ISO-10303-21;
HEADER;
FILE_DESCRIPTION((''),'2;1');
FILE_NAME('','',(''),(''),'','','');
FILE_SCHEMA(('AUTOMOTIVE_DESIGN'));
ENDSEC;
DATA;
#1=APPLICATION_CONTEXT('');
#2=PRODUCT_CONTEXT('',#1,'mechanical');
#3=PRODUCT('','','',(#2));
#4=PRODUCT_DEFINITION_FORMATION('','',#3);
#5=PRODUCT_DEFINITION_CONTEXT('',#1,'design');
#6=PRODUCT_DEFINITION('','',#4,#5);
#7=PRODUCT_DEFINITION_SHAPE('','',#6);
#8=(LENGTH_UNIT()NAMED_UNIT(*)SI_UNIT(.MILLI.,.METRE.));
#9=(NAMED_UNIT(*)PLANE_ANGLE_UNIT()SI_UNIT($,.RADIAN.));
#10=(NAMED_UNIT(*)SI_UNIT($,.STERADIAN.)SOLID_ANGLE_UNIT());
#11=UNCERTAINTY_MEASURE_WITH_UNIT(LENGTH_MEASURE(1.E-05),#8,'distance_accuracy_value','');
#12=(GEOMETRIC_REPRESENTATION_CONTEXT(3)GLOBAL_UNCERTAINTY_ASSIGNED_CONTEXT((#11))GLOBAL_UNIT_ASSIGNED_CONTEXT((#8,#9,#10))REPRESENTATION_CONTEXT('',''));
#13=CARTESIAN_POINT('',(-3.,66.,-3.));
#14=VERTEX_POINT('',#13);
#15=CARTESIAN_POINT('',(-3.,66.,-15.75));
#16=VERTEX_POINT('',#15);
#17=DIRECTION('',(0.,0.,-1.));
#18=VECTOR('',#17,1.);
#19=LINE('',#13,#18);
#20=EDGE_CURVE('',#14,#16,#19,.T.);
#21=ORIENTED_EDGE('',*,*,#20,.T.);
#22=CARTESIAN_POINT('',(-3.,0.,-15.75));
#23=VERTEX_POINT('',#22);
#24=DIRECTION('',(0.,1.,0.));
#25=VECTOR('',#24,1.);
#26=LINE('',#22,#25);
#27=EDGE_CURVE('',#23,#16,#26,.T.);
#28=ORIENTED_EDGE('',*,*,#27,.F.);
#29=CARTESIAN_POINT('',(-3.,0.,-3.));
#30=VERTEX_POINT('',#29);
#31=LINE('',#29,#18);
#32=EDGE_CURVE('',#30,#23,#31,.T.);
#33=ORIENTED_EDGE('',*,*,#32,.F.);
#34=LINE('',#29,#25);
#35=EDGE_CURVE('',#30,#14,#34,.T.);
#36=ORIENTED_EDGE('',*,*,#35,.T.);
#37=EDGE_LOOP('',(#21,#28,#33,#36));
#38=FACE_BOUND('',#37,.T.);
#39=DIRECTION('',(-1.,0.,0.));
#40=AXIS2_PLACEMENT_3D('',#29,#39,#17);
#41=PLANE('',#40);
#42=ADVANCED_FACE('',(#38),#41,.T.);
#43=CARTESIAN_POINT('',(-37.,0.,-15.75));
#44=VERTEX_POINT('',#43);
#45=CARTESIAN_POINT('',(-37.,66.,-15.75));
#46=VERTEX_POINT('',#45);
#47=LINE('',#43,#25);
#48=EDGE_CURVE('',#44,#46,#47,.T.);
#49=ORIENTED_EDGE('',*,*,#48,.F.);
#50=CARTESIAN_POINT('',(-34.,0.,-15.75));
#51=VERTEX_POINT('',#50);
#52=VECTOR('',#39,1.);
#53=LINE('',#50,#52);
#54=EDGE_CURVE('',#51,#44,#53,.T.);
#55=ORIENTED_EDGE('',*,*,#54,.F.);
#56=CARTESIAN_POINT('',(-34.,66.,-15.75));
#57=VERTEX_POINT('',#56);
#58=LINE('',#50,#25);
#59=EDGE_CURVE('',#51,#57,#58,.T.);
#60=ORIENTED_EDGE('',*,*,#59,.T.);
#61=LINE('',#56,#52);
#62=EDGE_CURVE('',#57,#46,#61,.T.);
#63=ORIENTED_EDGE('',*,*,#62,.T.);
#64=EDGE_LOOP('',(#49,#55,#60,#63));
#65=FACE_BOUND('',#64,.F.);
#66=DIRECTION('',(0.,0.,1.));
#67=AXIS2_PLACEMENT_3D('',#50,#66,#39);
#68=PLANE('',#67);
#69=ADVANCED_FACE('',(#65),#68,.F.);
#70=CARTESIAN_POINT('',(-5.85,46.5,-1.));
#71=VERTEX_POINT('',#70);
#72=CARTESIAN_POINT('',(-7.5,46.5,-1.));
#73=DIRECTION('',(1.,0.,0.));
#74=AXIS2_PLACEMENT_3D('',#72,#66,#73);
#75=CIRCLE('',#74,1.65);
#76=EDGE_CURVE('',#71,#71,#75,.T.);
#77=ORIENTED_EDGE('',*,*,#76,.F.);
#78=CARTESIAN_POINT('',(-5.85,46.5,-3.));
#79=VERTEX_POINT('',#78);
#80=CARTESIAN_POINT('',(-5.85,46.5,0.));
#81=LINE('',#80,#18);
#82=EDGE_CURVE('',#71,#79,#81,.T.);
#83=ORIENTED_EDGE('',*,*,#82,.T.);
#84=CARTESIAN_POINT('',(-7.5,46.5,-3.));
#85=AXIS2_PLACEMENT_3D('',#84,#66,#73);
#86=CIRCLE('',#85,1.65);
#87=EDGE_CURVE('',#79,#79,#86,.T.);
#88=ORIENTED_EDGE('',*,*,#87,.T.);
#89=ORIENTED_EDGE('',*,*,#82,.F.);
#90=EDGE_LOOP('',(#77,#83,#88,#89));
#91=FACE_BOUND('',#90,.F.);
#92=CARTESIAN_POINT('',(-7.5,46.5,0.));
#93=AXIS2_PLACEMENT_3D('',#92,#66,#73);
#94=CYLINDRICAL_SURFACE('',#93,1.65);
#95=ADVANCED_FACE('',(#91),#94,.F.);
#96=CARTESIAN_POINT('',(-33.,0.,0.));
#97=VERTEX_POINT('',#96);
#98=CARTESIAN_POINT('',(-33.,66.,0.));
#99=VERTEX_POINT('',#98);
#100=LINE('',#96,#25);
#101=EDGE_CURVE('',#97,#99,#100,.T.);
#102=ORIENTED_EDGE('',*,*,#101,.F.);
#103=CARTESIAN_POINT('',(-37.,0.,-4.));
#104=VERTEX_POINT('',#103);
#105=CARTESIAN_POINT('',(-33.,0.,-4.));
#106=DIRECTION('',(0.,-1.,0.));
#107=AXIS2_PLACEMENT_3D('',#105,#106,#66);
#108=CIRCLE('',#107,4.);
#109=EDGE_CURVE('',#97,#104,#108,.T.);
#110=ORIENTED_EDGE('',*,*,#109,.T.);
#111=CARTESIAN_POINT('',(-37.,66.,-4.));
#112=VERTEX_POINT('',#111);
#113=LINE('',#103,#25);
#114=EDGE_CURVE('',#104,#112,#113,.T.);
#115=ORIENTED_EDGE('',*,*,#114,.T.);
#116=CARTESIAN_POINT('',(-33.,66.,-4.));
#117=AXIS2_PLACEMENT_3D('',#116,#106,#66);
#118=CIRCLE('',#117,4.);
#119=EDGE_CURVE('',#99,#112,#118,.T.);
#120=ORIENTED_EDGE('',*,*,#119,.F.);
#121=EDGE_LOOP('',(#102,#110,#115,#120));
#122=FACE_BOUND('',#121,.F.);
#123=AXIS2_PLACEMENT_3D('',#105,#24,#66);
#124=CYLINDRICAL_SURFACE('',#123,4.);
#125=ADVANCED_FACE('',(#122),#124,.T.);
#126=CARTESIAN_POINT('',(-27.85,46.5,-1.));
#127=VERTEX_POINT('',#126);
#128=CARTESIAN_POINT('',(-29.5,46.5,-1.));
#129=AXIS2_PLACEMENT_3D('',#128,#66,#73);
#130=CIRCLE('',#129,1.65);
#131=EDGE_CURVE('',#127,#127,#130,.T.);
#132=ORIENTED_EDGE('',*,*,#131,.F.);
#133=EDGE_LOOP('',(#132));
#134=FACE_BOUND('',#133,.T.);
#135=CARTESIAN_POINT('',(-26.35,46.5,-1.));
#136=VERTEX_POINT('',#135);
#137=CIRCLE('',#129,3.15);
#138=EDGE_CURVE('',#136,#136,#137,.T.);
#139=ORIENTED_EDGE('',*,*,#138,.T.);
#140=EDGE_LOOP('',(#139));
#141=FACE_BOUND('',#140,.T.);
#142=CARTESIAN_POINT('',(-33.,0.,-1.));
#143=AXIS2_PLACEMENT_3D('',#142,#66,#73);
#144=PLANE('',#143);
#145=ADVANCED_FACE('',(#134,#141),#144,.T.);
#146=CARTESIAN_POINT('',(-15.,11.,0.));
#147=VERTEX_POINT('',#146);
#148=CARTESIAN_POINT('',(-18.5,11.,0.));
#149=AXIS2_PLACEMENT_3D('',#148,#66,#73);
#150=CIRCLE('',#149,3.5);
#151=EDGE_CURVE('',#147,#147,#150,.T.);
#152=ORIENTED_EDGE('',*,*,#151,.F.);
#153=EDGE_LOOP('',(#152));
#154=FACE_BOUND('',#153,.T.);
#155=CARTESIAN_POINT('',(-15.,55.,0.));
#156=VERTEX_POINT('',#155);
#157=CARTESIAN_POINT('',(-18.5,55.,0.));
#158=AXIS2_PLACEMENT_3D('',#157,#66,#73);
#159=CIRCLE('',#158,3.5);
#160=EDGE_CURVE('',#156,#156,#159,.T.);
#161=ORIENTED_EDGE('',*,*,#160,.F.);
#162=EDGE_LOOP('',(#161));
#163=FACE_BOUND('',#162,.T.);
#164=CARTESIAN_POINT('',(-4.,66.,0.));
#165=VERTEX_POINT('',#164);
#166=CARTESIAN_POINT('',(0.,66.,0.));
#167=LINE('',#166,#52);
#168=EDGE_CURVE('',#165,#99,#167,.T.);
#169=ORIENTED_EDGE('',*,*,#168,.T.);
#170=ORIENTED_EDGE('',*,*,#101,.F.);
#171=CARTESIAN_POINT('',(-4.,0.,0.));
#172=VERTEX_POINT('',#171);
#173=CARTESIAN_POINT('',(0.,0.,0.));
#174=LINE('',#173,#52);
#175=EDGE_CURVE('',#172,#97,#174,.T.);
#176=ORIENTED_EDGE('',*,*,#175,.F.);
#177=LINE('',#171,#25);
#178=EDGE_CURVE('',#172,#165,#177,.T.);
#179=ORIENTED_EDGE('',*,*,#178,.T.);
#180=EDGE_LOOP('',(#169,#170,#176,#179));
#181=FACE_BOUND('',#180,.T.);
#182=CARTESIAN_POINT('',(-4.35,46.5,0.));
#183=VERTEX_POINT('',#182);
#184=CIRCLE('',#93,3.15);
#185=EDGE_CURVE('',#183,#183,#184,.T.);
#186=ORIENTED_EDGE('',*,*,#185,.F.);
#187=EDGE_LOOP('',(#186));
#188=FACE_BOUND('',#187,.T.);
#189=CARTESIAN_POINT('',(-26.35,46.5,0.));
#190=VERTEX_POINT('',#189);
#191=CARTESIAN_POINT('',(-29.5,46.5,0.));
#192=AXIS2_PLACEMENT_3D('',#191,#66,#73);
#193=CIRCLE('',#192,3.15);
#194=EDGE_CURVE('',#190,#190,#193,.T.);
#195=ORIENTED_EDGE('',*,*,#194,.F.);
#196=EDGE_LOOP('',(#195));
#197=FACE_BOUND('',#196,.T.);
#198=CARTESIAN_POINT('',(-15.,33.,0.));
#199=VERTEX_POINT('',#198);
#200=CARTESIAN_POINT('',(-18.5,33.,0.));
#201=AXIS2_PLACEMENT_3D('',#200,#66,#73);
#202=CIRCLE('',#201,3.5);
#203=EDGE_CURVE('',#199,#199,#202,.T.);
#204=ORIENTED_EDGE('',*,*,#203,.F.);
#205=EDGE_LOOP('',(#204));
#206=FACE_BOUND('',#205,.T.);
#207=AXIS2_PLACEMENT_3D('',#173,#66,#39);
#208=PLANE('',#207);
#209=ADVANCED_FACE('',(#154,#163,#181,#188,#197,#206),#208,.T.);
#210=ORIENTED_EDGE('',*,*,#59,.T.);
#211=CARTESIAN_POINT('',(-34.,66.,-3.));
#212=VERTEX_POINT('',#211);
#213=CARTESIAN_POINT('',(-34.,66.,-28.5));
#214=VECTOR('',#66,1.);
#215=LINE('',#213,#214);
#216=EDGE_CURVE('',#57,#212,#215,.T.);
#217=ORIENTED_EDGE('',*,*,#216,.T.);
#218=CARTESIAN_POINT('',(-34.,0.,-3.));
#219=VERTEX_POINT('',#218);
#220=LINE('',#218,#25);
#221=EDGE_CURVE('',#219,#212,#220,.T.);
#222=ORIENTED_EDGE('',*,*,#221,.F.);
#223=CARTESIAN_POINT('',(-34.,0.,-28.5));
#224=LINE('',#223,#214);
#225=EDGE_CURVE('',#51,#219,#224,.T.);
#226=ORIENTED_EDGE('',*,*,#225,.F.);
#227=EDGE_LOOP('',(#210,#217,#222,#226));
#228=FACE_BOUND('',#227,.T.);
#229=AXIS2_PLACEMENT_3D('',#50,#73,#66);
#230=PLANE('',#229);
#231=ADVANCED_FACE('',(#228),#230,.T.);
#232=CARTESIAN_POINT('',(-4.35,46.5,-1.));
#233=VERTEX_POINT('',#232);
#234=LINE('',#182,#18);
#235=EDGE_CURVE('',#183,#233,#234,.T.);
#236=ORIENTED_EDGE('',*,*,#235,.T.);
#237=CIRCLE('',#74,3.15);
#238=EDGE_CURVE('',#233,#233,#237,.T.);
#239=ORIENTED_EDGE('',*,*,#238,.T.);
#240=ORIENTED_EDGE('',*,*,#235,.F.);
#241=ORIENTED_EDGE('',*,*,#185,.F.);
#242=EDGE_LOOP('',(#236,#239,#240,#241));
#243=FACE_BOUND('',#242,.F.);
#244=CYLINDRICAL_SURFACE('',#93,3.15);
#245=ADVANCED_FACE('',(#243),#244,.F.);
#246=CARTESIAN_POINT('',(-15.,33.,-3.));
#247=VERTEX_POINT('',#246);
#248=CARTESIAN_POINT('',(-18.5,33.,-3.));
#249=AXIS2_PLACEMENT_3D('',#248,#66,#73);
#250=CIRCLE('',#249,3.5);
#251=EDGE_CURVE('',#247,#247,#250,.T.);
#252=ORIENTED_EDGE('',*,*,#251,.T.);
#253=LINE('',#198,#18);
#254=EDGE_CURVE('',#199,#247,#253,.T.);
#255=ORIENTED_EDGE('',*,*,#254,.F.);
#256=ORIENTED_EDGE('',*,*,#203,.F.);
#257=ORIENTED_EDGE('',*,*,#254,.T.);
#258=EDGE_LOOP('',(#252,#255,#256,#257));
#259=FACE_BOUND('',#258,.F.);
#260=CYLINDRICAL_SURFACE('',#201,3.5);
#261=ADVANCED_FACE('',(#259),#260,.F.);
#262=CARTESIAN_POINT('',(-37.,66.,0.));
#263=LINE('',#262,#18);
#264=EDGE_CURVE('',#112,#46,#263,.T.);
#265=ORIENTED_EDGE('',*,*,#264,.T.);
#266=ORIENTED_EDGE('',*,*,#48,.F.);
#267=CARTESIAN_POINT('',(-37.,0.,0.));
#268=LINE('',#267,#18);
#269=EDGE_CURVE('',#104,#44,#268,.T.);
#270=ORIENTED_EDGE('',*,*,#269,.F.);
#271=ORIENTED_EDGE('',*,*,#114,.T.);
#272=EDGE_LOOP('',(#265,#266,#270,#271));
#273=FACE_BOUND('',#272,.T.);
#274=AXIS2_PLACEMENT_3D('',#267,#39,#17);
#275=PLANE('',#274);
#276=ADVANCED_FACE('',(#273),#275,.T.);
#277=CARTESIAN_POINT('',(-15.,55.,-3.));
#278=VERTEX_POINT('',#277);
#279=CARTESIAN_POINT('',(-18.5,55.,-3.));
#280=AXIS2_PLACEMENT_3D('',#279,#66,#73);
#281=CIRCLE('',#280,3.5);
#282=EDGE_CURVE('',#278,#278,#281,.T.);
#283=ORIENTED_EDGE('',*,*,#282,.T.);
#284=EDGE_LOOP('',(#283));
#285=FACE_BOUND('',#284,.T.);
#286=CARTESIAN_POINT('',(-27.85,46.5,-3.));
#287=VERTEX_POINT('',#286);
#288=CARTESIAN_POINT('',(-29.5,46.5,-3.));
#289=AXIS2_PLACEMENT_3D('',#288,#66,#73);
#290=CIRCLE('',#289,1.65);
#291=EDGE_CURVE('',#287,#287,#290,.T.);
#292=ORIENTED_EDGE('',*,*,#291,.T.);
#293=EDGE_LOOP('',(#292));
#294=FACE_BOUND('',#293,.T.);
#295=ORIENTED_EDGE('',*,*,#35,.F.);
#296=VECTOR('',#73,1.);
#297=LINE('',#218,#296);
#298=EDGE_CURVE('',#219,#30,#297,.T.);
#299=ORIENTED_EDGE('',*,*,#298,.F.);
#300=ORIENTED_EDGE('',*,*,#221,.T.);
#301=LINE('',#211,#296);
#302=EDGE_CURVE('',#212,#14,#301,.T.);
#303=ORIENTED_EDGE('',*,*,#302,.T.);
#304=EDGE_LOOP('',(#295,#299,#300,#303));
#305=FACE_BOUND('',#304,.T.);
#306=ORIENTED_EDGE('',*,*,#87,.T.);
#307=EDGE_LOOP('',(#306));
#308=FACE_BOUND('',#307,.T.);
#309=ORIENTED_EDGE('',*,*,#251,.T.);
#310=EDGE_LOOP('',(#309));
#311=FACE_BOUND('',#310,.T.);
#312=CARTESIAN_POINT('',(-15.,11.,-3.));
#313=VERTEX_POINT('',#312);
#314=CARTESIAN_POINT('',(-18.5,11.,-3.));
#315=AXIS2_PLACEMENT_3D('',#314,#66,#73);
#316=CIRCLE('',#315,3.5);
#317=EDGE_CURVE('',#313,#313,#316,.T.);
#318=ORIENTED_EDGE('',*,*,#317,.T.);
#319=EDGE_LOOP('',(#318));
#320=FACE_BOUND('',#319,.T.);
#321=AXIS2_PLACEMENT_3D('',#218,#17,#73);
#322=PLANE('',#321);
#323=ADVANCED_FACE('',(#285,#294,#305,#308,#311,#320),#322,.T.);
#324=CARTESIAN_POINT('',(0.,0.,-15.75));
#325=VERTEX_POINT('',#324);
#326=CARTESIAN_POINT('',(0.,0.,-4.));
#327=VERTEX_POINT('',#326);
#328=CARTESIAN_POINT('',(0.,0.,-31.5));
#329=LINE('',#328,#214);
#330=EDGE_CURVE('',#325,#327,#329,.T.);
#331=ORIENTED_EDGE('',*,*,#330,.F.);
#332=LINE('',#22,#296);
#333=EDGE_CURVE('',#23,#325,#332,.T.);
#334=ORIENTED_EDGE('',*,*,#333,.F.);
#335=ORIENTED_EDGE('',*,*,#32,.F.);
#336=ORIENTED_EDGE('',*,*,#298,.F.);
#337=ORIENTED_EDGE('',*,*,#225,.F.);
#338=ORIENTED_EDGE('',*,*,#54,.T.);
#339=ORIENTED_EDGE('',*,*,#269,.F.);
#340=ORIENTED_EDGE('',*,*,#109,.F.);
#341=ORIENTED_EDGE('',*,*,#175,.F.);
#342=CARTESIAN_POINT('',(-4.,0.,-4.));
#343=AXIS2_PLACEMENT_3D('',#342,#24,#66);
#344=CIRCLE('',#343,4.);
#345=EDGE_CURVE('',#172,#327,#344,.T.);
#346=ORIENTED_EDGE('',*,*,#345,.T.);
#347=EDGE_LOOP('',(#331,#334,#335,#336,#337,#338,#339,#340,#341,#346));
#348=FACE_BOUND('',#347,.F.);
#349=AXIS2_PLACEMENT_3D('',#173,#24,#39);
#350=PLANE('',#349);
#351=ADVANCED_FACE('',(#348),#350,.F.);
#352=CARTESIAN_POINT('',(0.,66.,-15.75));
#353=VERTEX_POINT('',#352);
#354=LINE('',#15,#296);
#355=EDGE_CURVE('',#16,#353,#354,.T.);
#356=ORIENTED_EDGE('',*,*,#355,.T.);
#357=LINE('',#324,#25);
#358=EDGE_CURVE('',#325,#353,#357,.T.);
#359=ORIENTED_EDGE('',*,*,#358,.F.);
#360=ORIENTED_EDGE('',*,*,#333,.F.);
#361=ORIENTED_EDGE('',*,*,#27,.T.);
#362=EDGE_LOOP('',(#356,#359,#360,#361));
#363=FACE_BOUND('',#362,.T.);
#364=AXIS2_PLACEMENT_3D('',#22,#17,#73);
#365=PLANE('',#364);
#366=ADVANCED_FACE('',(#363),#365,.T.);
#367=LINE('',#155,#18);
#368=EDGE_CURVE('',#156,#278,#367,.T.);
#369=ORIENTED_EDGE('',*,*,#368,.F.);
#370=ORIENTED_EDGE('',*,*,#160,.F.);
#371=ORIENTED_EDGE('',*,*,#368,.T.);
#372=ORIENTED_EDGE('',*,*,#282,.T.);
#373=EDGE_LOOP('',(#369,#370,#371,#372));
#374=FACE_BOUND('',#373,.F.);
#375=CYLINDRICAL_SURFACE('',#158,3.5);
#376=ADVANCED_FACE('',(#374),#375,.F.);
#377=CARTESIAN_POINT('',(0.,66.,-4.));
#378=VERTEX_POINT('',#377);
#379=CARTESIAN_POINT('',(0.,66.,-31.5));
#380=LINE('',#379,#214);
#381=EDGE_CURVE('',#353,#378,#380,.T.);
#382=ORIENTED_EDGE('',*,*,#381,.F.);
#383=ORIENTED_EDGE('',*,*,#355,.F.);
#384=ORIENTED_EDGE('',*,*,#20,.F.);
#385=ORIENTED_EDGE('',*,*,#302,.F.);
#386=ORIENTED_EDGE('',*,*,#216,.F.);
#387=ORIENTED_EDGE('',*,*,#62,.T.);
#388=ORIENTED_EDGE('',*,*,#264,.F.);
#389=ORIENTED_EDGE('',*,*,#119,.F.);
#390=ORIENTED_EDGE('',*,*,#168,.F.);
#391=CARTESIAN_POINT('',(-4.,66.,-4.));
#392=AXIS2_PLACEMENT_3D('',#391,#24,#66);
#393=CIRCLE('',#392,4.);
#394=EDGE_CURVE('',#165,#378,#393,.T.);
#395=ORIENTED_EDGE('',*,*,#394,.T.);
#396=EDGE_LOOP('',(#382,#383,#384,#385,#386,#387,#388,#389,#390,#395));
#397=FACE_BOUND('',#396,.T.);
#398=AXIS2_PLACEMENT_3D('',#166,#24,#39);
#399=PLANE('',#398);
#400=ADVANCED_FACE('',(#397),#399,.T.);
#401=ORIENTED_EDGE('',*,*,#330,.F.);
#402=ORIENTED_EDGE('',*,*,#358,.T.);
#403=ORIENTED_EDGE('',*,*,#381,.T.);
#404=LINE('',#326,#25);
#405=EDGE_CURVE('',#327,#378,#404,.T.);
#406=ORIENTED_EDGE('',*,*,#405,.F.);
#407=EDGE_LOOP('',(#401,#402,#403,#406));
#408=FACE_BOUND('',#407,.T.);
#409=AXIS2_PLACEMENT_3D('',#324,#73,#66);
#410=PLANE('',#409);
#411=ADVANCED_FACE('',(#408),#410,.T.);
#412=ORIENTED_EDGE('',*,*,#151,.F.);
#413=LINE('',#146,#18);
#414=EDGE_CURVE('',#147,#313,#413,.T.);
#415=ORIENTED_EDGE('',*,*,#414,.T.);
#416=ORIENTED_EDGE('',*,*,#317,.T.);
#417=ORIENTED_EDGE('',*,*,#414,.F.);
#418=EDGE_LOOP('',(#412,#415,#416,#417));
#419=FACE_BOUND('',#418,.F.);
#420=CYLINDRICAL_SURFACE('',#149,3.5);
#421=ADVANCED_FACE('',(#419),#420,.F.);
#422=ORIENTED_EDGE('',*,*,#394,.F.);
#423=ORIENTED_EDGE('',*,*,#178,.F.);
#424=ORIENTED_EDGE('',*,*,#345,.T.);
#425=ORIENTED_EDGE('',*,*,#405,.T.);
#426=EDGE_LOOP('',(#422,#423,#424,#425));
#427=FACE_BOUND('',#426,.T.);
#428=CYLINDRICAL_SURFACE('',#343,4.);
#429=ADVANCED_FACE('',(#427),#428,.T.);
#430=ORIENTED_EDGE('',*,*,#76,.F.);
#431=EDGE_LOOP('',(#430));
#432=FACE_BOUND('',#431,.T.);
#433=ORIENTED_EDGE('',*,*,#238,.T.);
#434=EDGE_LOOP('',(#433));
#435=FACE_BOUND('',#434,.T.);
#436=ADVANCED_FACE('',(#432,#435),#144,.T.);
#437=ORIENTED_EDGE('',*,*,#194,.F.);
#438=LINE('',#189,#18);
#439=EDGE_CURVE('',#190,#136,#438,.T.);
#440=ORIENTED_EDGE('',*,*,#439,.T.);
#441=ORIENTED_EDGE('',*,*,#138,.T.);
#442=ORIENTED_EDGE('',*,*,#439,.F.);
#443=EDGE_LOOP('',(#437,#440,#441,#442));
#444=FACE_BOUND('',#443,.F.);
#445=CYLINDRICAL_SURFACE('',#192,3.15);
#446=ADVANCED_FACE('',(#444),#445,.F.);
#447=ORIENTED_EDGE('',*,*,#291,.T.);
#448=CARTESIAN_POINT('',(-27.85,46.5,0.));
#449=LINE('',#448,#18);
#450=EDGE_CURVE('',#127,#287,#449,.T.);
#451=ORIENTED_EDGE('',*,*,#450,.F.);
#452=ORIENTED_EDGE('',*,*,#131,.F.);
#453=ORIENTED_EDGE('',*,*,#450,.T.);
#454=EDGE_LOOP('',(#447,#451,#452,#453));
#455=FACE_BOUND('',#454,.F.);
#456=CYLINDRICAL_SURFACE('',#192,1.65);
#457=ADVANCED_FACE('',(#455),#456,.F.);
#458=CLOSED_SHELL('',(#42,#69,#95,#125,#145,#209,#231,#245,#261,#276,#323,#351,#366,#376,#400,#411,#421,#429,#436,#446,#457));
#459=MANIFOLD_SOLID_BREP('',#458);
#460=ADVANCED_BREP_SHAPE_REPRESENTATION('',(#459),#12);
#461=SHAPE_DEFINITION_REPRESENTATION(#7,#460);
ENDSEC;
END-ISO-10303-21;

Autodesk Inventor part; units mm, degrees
ref_plane "YZ Plane" through (0, 0, 0) normal (1, 0, 0) x (0, 1, 0)
ref_plane "XZ Plane" through (0, 0, 0) normal (0, 1, 0) x (-1, 0, 0)
ref_plane "XY Plane" through (0, 0, 0) normal (0, 0, 1) x (1, 0, 0)
sketch "Esquisse1" plane through (0, 0, 0) normal (0, 1, 0) x (-1, 0, 0)
  line L0 (0, 0) -> (37, 0)
  line L1 (37, 0) -> (37, -31.5)
  line L2 (37, -31.5) -> (0, -31.5)
  line L3 (0, -31.5) -> (0, 0)
  line L4 (34, -28.5) -> (34, -3)
  line L5 (34, -3) -> (3, -3)
  line L6 (3, -3) -> (3, -28.5)
  line L7 (3, -28.5) -> (34, -28.5)
  line L8 (3, -15.75) -> (0, -15.75)
  line L9 (34, -15.75) -> (37, -15.75)
  dimension "d0" = 3
  dimension "d1" = 31
  dimension "d2" = 25.5
extrude "Extrusion1" add sketch "Esquisse1" along normal blind 66 contours L0 L1 L9 L4 L5 L6 L8 L3
sketch "Esquisse2" plane through (-37, 0, 0) normal (0, 0, 1) x (1, 0, 0)
  line L0 (7.5, 46.5) -> (29.5, 46.5) construction
  circle A0 centre (7.5, 46.5) radius 1.65
  circle A1 centre (29.5, 46.5) radius 1.65
  line L1 (34, 0) -> (3, 0) construction
  line L2 (18.5, 0) -> (18.5, 46.5) construction
  point P0 (37, 0)
  dimension "d36" = 4
  dimension "d5" = 3.3
  dimension "d6" = 46.5
  dimension "d7" = 22
extrude "Extrusion2" cut sketch "Esquisse2" against normal through all
sketch "Esquisse3" plane through (-33, 0, 0) normal (0, 0, 1) x (1, 0, 0)
  line L0 (-4, 66) -> (33, 66) construction
  line L1 (-4, 0) -> (33, 0) construction
  circle A0 centre (3.5, 46.5) radius 1.65 construction
  circle A1 centre (25.5, 46.5) radius 1.65 construction
  circle A2 centre (3.5, 46.5) radius 1.65 construction
  circle A3 centre (3.5, 46.5) radius 3.15
  circle A4 centre (25.5, 46.5) radius 3.15
  line L2 (33, 0) -> (33, 66) projected
  line L3 (-4, 0) -> (-4, 66) projected
  dimension "d11" = 6.3
extrude "Extrusion3" cut sketch "Esquisse3" against normal blind 1
sketch "Esquisse4" plane through (-33, 0, 0) normal (0, 0, 1) x (1, 0, 0)
  line L0 (-4, 66) -> (33, 66) construction
  line L1 (14.5, 66) -> (14.5, 0) construction
  line L2 (30, 0) -> (-1, 0) construction
  circle A0 centre (14.5, 11) radius 3.5
  circle A1 centre (14.5, 33) radius 3.5
  circle A2 centre (14.5, 55) radius 3.5
  point P0 (33, 0)
  point P1 (0, 56.5)
  point P2 (29, 56.5)
  point P3 (33, 66)
  dimension "d14" = 11
  dimension "d15" = 7
  dimension "d31" = 22
extrude "Extrusion4" cut sketch "Esquisse4" against normal through all
fillet "Congé4" radius 4 2 edges at (0, 33, 0) (-37, 33, 0)
properties part number "part3_top"
